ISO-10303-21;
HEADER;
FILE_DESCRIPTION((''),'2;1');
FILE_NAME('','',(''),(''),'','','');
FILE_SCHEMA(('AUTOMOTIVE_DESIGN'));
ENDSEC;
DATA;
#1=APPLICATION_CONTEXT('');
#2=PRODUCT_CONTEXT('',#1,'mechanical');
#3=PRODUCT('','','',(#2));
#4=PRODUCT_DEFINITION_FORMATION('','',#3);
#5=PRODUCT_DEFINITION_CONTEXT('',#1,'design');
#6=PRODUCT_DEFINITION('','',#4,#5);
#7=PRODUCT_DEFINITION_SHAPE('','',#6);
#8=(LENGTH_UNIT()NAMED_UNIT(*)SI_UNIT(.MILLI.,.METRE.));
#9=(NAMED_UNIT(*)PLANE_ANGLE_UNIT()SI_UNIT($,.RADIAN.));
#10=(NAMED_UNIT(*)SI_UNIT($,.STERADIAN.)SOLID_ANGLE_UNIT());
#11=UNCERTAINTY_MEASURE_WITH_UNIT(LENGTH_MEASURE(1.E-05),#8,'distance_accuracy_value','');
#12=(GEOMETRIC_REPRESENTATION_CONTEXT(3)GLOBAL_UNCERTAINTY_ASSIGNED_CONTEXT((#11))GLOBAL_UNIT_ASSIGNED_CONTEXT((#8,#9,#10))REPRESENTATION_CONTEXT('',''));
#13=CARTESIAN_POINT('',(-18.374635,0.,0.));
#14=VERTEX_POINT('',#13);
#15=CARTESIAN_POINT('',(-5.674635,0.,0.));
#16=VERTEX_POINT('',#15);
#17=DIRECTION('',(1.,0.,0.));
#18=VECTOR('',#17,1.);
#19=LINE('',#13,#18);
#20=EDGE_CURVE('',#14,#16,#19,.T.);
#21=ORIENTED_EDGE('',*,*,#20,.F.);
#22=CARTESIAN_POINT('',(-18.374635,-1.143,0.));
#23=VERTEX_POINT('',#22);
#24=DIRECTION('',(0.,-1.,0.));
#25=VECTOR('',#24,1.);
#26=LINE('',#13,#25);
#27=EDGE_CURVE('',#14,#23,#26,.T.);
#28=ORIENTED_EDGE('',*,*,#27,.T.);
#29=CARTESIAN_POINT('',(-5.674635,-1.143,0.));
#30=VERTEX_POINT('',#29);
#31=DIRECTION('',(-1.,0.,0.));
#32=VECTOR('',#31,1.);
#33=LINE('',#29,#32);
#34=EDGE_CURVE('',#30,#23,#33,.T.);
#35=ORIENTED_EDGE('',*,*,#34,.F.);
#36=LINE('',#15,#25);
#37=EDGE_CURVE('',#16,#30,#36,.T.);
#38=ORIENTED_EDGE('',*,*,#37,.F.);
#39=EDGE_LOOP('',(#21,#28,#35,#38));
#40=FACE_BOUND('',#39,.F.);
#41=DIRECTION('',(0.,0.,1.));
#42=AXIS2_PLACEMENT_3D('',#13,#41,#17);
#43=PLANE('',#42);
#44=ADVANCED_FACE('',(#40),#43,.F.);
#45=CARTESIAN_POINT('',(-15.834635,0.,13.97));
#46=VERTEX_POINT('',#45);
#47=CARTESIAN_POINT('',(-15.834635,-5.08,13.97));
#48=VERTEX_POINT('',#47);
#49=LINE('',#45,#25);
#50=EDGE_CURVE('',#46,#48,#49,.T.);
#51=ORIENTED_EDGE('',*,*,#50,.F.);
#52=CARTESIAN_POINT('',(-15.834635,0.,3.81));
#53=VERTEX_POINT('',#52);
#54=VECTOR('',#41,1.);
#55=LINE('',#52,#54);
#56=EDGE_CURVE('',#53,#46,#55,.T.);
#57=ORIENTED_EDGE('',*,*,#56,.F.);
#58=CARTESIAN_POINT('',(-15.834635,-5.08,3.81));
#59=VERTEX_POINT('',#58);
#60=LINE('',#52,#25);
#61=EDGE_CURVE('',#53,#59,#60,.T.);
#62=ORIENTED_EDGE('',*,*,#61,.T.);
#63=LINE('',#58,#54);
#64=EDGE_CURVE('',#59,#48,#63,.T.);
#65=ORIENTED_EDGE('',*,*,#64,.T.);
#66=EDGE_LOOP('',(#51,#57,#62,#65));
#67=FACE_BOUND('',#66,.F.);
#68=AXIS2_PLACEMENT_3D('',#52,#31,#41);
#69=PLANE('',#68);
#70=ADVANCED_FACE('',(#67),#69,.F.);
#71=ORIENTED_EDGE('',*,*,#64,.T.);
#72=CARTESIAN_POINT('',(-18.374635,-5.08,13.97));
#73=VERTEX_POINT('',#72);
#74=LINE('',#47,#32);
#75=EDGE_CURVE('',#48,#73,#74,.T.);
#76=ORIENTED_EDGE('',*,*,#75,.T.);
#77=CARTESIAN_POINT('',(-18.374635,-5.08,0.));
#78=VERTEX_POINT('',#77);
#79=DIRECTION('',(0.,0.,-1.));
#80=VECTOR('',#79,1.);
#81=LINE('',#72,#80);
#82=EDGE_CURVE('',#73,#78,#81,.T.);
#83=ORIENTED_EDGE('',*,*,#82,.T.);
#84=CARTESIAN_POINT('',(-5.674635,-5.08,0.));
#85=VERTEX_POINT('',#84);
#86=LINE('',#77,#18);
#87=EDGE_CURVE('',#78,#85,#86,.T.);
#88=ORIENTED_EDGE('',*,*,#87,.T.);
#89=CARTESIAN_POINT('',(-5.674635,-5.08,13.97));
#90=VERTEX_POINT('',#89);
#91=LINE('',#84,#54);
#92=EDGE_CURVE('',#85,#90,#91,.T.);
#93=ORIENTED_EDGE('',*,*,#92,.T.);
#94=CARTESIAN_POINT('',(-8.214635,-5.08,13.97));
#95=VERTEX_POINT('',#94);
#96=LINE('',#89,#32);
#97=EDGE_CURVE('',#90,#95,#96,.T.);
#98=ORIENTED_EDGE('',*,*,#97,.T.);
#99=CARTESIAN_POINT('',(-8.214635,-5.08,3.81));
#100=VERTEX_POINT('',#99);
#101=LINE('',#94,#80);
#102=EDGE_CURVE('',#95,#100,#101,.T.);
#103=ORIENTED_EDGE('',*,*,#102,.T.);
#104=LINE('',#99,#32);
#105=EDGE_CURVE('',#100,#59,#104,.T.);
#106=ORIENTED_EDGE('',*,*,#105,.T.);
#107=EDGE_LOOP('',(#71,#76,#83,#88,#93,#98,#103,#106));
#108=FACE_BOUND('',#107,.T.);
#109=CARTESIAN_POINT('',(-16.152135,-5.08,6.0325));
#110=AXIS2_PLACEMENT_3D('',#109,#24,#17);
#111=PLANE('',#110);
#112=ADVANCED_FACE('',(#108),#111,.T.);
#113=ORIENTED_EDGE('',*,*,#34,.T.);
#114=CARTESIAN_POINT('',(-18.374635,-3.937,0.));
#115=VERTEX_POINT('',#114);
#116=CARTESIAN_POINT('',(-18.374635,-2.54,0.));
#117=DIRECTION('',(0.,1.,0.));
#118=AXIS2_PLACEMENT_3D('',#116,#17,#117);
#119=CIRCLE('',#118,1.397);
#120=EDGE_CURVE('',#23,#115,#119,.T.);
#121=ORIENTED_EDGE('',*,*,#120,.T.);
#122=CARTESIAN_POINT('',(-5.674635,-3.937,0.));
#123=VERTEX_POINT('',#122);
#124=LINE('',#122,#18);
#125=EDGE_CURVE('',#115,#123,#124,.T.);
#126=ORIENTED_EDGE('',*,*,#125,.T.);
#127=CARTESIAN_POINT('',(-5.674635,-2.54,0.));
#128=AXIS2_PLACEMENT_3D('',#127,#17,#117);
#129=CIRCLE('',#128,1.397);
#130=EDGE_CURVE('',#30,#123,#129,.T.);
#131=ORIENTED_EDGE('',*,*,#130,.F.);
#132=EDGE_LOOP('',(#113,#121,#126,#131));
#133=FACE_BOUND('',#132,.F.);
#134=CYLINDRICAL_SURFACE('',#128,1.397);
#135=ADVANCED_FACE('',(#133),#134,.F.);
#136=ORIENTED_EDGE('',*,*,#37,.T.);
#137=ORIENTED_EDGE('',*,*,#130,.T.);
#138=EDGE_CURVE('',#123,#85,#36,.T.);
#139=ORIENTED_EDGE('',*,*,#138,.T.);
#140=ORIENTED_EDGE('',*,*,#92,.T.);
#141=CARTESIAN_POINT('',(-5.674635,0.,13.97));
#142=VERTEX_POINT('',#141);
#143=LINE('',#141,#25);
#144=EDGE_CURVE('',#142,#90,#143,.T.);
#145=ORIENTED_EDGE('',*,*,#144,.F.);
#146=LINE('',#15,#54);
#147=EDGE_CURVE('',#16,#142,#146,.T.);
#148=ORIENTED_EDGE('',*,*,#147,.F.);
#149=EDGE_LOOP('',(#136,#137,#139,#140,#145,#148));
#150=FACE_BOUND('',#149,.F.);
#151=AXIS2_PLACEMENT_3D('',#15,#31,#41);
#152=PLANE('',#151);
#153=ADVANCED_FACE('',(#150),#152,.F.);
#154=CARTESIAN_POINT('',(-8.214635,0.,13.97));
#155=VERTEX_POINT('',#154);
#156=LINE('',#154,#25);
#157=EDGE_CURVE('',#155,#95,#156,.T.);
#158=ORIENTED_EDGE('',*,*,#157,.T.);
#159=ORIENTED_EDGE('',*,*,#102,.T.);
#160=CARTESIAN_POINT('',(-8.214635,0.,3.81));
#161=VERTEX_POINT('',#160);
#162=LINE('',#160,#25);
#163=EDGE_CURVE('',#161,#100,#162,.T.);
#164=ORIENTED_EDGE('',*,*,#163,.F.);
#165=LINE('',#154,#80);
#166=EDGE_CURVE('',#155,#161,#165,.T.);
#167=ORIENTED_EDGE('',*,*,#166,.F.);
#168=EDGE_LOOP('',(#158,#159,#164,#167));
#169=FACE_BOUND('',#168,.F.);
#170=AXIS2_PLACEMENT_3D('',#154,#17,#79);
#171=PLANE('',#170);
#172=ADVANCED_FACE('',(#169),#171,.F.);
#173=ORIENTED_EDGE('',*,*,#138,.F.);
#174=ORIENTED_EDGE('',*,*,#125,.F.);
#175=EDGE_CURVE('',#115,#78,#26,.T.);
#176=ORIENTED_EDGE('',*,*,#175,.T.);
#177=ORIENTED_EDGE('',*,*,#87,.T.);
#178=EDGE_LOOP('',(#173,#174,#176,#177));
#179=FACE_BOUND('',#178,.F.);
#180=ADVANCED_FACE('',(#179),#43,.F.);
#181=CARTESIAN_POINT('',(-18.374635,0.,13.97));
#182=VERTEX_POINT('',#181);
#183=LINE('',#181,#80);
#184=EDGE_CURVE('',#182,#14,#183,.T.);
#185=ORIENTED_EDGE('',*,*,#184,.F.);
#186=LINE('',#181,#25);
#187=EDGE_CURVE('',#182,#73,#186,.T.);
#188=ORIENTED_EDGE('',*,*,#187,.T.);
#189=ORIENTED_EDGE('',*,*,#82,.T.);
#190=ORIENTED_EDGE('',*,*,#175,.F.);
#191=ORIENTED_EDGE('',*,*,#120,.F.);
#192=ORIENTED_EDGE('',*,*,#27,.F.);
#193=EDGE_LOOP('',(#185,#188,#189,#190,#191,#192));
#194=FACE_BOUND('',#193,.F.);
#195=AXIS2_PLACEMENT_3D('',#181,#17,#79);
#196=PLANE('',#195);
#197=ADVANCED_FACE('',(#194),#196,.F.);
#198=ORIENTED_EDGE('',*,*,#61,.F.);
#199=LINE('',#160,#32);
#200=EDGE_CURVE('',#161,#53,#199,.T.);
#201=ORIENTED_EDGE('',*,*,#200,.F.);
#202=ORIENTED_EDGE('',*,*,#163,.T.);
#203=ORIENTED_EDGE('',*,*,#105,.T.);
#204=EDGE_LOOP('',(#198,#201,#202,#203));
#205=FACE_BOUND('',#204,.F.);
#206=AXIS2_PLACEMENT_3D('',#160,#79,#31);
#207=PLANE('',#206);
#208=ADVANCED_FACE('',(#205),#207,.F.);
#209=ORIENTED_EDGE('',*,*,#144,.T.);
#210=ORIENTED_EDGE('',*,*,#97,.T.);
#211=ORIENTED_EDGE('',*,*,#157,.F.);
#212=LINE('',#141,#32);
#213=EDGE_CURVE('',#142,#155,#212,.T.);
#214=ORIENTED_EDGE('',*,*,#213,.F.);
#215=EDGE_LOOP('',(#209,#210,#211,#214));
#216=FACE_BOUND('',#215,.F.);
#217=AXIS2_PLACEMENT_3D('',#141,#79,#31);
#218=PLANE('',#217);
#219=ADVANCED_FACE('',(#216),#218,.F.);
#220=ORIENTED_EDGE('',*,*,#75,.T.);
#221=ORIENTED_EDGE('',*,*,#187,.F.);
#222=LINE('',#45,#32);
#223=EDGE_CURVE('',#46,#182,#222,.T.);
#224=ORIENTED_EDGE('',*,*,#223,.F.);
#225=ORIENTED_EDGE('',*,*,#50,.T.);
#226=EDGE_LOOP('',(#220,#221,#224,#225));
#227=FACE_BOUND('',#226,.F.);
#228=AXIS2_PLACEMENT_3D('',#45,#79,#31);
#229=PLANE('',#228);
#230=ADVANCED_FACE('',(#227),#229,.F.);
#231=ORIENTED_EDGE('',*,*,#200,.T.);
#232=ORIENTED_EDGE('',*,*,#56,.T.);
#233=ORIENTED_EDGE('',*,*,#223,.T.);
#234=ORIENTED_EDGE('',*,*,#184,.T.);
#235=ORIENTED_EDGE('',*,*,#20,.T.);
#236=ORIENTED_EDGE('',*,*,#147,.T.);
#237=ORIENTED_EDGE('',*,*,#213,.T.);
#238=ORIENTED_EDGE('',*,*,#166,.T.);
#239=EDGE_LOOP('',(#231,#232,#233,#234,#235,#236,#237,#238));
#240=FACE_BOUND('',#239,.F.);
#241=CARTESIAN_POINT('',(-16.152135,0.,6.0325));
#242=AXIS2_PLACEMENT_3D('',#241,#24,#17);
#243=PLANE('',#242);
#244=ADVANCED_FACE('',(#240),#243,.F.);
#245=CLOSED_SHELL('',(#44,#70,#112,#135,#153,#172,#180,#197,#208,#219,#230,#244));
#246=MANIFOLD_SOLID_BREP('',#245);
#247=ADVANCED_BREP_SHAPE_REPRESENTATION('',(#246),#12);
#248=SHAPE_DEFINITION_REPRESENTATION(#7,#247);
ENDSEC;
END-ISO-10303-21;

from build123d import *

# Parameters (mm, degrees)
F1_DEPTH = 5.08
F2_R     = 1.397
F3_DEPTH = 25.4


with BuildPart() as f1:
    # F0 (on Front) → F1 (new body)
    with BuildSketch(Plane.XZ):
        Polygon((-15.834635, 13.97), (-18.374635, 13.97), (-18.374635, 0), (-12.024635, 0), (-12.024635, 3.81), (-15.834635, 3.81), align=None)
        Polygon((-12.024635, 3.81), (-12.024635, 0), (-5.674635, 0), (-5.674635, 13.97), (-8.214635, 13.97), (-8.214635, 3.81), align=None)
    extrude(amount=F1_DEPTH)

    # F2 (on face) → F3 (cut)
    with BuildSketch(Plane.YZ.offset(-5.674635)):
        with Locations((-2.54, 0)):
            Circle(F2_R)
    extrude(amount=-F3_DEPTH, mode=Mode.SUBTRACT)


solid = f1.part
